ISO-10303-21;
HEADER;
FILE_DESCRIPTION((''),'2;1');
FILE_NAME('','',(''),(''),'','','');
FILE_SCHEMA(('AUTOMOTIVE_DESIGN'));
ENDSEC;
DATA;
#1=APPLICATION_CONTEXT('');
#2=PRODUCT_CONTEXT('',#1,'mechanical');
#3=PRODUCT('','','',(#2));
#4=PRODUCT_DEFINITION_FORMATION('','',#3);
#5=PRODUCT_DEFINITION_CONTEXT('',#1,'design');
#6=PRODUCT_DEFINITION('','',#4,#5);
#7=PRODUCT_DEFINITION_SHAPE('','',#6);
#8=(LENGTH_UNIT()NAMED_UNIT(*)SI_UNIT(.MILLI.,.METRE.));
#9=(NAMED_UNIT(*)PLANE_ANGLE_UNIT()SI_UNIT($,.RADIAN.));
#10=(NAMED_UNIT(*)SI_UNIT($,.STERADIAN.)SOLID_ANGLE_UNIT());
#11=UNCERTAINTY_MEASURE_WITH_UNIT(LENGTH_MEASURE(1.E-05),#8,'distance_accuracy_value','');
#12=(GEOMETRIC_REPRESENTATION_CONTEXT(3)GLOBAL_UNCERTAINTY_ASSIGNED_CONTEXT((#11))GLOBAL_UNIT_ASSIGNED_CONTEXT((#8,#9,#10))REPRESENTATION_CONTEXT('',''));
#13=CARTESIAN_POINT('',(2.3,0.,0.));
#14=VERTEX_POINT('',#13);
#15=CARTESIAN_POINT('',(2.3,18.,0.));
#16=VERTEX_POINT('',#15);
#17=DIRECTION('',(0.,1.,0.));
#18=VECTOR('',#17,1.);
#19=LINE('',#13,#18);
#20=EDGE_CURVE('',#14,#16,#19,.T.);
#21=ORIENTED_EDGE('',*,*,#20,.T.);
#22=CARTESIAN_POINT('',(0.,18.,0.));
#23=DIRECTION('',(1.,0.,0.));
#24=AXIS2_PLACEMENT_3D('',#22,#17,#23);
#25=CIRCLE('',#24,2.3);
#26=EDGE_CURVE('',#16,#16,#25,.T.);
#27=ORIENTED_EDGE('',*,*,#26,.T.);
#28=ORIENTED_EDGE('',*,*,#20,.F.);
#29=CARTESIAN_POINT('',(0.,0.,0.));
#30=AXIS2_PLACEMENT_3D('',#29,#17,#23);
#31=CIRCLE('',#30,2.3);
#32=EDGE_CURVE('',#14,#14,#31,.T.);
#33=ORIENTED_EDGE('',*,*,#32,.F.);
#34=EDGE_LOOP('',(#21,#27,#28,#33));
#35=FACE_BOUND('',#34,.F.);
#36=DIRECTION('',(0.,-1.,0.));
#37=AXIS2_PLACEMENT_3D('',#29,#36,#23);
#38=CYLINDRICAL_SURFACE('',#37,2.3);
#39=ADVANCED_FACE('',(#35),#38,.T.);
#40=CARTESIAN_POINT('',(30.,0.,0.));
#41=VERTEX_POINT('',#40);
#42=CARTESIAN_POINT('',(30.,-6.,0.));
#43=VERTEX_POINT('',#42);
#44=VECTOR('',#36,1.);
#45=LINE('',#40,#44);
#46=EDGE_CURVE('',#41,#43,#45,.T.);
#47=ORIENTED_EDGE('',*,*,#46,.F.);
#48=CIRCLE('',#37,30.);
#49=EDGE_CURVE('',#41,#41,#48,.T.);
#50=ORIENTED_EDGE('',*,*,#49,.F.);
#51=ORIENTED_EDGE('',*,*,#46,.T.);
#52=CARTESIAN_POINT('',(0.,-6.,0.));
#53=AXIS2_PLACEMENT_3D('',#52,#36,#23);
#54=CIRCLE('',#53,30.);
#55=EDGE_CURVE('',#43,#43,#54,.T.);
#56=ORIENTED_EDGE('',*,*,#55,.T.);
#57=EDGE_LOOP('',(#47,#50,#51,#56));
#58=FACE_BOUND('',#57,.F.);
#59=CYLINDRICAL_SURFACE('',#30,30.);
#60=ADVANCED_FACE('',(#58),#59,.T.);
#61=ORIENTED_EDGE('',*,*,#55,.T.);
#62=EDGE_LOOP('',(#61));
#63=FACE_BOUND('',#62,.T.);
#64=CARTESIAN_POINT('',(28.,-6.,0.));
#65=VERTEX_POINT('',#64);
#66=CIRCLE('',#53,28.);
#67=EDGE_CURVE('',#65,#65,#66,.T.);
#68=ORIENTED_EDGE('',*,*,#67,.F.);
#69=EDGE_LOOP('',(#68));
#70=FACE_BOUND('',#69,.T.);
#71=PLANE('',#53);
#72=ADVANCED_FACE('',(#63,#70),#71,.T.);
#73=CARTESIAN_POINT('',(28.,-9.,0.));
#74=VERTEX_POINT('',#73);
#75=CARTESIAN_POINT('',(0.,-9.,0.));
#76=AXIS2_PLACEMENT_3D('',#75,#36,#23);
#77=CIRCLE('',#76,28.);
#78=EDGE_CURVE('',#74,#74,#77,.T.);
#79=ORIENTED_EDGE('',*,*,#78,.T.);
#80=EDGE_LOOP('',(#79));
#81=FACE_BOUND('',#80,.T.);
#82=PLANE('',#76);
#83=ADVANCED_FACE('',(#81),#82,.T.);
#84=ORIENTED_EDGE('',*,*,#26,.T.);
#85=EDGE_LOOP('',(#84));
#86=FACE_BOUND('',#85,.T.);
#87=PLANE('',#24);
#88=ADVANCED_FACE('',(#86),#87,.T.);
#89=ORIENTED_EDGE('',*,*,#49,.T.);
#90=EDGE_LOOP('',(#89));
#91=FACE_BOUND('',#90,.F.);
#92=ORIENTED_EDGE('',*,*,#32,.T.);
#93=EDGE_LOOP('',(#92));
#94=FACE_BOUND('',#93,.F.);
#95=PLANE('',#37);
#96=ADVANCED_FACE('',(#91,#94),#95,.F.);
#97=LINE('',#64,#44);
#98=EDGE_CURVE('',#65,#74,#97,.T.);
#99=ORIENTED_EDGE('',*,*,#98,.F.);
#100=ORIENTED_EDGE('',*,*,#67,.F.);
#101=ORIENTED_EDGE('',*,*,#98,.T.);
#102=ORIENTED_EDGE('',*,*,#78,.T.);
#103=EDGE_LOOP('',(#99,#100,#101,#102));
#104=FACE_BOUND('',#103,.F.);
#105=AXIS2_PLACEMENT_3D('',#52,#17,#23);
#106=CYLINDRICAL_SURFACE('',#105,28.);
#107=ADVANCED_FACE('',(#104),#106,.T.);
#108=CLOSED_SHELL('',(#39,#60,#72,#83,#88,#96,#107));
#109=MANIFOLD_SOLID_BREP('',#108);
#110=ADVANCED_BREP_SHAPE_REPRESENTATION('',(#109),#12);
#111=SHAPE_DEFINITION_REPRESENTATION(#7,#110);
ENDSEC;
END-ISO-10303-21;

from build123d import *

# Parameters (mm, degrees)
SKETCH_R     = 30
PAD_DEPTH    = 6
SKETCH001_R  = 28
PAD001_DEPTH = 3
SKETCH002_R  = 2.3
PAD002_DEPTH = 18


with BuildPart() as part:
    # Sketch → Pad (new body)
    with BuildSketch(Plane.XZ):
        Circle(SKETCH_R)
    extrude(amount=PAD_DEPTH)

    # Sketch001 (on Face3 of Pad) → Pad001 (join)
    with BuildSketch(Plane.XZ.offset(6)):
        Circle(SKETCH001_R)
    extrude(amount=PAD001_DEPTH)

    # Sketch002 (on Face2 of Pad001) → Pad002 (join)
    with BuildSketch(Plane(origin=(0, 0, 0), x_dir=(1, 0, 0), z_dir=(0, 1, 0))):
        Circle(SKETCH002_R)
    extrude(amount=PAD002_DEPTH)


solid = part.part
